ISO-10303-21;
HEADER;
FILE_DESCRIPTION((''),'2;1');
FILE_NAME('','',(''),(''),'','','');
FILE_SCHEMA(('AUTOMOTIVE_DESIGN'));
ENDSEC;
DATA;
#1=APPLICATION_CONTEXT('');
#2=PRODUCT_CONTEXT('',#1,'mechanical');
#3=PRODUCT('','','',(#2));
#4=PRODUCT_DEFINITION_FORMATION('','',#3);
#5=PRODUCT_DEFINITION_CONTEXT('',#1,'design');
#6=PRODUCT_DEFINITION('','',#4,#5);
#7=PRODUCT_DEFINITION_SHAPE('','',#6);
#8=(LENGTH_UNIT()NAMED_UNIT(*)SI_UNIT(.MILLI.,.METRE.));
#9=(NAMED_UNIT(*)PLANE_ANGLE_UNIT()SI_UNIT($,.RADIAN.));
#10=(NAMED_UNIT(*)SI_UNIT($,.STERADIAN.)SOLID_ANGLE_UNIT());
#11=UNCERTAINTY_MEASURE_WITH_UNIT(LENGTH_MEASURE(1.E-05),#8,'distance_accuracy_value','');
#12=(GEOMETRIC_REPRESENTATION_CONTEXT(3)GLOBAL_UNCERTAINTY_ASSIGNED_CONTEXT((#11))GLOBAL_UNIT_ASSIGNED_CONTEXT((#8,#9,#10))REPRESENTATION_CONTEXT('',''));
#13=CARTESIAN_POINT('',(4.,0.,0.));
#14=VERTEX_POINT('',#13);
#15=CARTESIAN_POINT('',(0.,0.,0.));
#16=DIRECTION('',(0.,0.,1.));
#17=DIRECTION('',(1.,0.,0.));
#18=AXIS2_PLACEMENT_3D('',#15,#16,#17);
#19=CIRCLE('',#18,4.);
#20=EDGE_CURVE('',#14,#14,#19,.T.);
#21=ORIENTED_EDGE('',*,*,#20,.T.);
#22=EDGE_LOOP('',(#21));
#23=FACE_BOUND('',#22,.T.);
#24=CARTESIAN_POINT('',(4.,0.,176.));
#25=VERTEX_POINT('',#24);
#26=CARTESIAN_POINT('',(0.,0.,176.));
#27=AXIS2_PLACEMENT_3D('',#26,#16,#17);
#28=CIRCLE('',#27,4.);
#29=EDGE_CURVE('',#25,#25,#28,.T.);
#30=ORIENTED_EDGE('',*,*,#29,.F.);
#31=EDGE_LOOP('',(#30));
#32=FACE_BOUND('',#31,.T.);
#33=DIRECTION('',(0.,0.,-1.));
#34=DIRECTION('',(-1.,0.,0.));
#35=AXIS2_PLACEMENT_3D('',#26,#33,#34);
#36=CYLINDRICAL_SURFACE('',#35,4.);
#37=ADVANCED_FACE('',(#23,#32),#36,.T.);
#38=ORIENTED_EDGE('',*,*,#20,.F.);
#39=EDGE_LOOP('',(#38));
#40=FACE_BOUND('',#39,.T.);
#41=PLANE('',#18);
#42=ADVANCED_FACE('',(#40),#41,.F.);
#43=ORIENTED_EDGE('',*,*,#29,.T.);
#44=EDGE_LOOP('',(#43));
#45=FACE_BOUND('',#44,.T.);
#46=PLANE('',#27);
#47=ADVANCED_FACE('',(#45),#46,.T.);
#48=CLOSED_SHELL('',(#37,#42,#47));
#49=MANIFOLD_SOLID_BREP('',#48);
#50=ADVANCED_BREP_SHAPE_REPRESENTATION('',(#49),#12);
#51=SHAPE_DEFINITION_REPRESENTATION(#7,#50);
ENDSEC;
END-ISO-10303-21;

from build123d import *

# Parameters (mm, degrees)
ESBO_O1_R                = 4
RESSALTO_EXTRUS_O1_DEPTH = 176


with BuildPart() as part:
    # Esboço1 → Ressalto-extrusão1 (new body)
    with BuildSketch(Plane.XY):
        Circle(ESBO_O1_R)
    extrude(amount=RESSALTO_EXTRUS_O1_DEPTH)


solid = part.part
